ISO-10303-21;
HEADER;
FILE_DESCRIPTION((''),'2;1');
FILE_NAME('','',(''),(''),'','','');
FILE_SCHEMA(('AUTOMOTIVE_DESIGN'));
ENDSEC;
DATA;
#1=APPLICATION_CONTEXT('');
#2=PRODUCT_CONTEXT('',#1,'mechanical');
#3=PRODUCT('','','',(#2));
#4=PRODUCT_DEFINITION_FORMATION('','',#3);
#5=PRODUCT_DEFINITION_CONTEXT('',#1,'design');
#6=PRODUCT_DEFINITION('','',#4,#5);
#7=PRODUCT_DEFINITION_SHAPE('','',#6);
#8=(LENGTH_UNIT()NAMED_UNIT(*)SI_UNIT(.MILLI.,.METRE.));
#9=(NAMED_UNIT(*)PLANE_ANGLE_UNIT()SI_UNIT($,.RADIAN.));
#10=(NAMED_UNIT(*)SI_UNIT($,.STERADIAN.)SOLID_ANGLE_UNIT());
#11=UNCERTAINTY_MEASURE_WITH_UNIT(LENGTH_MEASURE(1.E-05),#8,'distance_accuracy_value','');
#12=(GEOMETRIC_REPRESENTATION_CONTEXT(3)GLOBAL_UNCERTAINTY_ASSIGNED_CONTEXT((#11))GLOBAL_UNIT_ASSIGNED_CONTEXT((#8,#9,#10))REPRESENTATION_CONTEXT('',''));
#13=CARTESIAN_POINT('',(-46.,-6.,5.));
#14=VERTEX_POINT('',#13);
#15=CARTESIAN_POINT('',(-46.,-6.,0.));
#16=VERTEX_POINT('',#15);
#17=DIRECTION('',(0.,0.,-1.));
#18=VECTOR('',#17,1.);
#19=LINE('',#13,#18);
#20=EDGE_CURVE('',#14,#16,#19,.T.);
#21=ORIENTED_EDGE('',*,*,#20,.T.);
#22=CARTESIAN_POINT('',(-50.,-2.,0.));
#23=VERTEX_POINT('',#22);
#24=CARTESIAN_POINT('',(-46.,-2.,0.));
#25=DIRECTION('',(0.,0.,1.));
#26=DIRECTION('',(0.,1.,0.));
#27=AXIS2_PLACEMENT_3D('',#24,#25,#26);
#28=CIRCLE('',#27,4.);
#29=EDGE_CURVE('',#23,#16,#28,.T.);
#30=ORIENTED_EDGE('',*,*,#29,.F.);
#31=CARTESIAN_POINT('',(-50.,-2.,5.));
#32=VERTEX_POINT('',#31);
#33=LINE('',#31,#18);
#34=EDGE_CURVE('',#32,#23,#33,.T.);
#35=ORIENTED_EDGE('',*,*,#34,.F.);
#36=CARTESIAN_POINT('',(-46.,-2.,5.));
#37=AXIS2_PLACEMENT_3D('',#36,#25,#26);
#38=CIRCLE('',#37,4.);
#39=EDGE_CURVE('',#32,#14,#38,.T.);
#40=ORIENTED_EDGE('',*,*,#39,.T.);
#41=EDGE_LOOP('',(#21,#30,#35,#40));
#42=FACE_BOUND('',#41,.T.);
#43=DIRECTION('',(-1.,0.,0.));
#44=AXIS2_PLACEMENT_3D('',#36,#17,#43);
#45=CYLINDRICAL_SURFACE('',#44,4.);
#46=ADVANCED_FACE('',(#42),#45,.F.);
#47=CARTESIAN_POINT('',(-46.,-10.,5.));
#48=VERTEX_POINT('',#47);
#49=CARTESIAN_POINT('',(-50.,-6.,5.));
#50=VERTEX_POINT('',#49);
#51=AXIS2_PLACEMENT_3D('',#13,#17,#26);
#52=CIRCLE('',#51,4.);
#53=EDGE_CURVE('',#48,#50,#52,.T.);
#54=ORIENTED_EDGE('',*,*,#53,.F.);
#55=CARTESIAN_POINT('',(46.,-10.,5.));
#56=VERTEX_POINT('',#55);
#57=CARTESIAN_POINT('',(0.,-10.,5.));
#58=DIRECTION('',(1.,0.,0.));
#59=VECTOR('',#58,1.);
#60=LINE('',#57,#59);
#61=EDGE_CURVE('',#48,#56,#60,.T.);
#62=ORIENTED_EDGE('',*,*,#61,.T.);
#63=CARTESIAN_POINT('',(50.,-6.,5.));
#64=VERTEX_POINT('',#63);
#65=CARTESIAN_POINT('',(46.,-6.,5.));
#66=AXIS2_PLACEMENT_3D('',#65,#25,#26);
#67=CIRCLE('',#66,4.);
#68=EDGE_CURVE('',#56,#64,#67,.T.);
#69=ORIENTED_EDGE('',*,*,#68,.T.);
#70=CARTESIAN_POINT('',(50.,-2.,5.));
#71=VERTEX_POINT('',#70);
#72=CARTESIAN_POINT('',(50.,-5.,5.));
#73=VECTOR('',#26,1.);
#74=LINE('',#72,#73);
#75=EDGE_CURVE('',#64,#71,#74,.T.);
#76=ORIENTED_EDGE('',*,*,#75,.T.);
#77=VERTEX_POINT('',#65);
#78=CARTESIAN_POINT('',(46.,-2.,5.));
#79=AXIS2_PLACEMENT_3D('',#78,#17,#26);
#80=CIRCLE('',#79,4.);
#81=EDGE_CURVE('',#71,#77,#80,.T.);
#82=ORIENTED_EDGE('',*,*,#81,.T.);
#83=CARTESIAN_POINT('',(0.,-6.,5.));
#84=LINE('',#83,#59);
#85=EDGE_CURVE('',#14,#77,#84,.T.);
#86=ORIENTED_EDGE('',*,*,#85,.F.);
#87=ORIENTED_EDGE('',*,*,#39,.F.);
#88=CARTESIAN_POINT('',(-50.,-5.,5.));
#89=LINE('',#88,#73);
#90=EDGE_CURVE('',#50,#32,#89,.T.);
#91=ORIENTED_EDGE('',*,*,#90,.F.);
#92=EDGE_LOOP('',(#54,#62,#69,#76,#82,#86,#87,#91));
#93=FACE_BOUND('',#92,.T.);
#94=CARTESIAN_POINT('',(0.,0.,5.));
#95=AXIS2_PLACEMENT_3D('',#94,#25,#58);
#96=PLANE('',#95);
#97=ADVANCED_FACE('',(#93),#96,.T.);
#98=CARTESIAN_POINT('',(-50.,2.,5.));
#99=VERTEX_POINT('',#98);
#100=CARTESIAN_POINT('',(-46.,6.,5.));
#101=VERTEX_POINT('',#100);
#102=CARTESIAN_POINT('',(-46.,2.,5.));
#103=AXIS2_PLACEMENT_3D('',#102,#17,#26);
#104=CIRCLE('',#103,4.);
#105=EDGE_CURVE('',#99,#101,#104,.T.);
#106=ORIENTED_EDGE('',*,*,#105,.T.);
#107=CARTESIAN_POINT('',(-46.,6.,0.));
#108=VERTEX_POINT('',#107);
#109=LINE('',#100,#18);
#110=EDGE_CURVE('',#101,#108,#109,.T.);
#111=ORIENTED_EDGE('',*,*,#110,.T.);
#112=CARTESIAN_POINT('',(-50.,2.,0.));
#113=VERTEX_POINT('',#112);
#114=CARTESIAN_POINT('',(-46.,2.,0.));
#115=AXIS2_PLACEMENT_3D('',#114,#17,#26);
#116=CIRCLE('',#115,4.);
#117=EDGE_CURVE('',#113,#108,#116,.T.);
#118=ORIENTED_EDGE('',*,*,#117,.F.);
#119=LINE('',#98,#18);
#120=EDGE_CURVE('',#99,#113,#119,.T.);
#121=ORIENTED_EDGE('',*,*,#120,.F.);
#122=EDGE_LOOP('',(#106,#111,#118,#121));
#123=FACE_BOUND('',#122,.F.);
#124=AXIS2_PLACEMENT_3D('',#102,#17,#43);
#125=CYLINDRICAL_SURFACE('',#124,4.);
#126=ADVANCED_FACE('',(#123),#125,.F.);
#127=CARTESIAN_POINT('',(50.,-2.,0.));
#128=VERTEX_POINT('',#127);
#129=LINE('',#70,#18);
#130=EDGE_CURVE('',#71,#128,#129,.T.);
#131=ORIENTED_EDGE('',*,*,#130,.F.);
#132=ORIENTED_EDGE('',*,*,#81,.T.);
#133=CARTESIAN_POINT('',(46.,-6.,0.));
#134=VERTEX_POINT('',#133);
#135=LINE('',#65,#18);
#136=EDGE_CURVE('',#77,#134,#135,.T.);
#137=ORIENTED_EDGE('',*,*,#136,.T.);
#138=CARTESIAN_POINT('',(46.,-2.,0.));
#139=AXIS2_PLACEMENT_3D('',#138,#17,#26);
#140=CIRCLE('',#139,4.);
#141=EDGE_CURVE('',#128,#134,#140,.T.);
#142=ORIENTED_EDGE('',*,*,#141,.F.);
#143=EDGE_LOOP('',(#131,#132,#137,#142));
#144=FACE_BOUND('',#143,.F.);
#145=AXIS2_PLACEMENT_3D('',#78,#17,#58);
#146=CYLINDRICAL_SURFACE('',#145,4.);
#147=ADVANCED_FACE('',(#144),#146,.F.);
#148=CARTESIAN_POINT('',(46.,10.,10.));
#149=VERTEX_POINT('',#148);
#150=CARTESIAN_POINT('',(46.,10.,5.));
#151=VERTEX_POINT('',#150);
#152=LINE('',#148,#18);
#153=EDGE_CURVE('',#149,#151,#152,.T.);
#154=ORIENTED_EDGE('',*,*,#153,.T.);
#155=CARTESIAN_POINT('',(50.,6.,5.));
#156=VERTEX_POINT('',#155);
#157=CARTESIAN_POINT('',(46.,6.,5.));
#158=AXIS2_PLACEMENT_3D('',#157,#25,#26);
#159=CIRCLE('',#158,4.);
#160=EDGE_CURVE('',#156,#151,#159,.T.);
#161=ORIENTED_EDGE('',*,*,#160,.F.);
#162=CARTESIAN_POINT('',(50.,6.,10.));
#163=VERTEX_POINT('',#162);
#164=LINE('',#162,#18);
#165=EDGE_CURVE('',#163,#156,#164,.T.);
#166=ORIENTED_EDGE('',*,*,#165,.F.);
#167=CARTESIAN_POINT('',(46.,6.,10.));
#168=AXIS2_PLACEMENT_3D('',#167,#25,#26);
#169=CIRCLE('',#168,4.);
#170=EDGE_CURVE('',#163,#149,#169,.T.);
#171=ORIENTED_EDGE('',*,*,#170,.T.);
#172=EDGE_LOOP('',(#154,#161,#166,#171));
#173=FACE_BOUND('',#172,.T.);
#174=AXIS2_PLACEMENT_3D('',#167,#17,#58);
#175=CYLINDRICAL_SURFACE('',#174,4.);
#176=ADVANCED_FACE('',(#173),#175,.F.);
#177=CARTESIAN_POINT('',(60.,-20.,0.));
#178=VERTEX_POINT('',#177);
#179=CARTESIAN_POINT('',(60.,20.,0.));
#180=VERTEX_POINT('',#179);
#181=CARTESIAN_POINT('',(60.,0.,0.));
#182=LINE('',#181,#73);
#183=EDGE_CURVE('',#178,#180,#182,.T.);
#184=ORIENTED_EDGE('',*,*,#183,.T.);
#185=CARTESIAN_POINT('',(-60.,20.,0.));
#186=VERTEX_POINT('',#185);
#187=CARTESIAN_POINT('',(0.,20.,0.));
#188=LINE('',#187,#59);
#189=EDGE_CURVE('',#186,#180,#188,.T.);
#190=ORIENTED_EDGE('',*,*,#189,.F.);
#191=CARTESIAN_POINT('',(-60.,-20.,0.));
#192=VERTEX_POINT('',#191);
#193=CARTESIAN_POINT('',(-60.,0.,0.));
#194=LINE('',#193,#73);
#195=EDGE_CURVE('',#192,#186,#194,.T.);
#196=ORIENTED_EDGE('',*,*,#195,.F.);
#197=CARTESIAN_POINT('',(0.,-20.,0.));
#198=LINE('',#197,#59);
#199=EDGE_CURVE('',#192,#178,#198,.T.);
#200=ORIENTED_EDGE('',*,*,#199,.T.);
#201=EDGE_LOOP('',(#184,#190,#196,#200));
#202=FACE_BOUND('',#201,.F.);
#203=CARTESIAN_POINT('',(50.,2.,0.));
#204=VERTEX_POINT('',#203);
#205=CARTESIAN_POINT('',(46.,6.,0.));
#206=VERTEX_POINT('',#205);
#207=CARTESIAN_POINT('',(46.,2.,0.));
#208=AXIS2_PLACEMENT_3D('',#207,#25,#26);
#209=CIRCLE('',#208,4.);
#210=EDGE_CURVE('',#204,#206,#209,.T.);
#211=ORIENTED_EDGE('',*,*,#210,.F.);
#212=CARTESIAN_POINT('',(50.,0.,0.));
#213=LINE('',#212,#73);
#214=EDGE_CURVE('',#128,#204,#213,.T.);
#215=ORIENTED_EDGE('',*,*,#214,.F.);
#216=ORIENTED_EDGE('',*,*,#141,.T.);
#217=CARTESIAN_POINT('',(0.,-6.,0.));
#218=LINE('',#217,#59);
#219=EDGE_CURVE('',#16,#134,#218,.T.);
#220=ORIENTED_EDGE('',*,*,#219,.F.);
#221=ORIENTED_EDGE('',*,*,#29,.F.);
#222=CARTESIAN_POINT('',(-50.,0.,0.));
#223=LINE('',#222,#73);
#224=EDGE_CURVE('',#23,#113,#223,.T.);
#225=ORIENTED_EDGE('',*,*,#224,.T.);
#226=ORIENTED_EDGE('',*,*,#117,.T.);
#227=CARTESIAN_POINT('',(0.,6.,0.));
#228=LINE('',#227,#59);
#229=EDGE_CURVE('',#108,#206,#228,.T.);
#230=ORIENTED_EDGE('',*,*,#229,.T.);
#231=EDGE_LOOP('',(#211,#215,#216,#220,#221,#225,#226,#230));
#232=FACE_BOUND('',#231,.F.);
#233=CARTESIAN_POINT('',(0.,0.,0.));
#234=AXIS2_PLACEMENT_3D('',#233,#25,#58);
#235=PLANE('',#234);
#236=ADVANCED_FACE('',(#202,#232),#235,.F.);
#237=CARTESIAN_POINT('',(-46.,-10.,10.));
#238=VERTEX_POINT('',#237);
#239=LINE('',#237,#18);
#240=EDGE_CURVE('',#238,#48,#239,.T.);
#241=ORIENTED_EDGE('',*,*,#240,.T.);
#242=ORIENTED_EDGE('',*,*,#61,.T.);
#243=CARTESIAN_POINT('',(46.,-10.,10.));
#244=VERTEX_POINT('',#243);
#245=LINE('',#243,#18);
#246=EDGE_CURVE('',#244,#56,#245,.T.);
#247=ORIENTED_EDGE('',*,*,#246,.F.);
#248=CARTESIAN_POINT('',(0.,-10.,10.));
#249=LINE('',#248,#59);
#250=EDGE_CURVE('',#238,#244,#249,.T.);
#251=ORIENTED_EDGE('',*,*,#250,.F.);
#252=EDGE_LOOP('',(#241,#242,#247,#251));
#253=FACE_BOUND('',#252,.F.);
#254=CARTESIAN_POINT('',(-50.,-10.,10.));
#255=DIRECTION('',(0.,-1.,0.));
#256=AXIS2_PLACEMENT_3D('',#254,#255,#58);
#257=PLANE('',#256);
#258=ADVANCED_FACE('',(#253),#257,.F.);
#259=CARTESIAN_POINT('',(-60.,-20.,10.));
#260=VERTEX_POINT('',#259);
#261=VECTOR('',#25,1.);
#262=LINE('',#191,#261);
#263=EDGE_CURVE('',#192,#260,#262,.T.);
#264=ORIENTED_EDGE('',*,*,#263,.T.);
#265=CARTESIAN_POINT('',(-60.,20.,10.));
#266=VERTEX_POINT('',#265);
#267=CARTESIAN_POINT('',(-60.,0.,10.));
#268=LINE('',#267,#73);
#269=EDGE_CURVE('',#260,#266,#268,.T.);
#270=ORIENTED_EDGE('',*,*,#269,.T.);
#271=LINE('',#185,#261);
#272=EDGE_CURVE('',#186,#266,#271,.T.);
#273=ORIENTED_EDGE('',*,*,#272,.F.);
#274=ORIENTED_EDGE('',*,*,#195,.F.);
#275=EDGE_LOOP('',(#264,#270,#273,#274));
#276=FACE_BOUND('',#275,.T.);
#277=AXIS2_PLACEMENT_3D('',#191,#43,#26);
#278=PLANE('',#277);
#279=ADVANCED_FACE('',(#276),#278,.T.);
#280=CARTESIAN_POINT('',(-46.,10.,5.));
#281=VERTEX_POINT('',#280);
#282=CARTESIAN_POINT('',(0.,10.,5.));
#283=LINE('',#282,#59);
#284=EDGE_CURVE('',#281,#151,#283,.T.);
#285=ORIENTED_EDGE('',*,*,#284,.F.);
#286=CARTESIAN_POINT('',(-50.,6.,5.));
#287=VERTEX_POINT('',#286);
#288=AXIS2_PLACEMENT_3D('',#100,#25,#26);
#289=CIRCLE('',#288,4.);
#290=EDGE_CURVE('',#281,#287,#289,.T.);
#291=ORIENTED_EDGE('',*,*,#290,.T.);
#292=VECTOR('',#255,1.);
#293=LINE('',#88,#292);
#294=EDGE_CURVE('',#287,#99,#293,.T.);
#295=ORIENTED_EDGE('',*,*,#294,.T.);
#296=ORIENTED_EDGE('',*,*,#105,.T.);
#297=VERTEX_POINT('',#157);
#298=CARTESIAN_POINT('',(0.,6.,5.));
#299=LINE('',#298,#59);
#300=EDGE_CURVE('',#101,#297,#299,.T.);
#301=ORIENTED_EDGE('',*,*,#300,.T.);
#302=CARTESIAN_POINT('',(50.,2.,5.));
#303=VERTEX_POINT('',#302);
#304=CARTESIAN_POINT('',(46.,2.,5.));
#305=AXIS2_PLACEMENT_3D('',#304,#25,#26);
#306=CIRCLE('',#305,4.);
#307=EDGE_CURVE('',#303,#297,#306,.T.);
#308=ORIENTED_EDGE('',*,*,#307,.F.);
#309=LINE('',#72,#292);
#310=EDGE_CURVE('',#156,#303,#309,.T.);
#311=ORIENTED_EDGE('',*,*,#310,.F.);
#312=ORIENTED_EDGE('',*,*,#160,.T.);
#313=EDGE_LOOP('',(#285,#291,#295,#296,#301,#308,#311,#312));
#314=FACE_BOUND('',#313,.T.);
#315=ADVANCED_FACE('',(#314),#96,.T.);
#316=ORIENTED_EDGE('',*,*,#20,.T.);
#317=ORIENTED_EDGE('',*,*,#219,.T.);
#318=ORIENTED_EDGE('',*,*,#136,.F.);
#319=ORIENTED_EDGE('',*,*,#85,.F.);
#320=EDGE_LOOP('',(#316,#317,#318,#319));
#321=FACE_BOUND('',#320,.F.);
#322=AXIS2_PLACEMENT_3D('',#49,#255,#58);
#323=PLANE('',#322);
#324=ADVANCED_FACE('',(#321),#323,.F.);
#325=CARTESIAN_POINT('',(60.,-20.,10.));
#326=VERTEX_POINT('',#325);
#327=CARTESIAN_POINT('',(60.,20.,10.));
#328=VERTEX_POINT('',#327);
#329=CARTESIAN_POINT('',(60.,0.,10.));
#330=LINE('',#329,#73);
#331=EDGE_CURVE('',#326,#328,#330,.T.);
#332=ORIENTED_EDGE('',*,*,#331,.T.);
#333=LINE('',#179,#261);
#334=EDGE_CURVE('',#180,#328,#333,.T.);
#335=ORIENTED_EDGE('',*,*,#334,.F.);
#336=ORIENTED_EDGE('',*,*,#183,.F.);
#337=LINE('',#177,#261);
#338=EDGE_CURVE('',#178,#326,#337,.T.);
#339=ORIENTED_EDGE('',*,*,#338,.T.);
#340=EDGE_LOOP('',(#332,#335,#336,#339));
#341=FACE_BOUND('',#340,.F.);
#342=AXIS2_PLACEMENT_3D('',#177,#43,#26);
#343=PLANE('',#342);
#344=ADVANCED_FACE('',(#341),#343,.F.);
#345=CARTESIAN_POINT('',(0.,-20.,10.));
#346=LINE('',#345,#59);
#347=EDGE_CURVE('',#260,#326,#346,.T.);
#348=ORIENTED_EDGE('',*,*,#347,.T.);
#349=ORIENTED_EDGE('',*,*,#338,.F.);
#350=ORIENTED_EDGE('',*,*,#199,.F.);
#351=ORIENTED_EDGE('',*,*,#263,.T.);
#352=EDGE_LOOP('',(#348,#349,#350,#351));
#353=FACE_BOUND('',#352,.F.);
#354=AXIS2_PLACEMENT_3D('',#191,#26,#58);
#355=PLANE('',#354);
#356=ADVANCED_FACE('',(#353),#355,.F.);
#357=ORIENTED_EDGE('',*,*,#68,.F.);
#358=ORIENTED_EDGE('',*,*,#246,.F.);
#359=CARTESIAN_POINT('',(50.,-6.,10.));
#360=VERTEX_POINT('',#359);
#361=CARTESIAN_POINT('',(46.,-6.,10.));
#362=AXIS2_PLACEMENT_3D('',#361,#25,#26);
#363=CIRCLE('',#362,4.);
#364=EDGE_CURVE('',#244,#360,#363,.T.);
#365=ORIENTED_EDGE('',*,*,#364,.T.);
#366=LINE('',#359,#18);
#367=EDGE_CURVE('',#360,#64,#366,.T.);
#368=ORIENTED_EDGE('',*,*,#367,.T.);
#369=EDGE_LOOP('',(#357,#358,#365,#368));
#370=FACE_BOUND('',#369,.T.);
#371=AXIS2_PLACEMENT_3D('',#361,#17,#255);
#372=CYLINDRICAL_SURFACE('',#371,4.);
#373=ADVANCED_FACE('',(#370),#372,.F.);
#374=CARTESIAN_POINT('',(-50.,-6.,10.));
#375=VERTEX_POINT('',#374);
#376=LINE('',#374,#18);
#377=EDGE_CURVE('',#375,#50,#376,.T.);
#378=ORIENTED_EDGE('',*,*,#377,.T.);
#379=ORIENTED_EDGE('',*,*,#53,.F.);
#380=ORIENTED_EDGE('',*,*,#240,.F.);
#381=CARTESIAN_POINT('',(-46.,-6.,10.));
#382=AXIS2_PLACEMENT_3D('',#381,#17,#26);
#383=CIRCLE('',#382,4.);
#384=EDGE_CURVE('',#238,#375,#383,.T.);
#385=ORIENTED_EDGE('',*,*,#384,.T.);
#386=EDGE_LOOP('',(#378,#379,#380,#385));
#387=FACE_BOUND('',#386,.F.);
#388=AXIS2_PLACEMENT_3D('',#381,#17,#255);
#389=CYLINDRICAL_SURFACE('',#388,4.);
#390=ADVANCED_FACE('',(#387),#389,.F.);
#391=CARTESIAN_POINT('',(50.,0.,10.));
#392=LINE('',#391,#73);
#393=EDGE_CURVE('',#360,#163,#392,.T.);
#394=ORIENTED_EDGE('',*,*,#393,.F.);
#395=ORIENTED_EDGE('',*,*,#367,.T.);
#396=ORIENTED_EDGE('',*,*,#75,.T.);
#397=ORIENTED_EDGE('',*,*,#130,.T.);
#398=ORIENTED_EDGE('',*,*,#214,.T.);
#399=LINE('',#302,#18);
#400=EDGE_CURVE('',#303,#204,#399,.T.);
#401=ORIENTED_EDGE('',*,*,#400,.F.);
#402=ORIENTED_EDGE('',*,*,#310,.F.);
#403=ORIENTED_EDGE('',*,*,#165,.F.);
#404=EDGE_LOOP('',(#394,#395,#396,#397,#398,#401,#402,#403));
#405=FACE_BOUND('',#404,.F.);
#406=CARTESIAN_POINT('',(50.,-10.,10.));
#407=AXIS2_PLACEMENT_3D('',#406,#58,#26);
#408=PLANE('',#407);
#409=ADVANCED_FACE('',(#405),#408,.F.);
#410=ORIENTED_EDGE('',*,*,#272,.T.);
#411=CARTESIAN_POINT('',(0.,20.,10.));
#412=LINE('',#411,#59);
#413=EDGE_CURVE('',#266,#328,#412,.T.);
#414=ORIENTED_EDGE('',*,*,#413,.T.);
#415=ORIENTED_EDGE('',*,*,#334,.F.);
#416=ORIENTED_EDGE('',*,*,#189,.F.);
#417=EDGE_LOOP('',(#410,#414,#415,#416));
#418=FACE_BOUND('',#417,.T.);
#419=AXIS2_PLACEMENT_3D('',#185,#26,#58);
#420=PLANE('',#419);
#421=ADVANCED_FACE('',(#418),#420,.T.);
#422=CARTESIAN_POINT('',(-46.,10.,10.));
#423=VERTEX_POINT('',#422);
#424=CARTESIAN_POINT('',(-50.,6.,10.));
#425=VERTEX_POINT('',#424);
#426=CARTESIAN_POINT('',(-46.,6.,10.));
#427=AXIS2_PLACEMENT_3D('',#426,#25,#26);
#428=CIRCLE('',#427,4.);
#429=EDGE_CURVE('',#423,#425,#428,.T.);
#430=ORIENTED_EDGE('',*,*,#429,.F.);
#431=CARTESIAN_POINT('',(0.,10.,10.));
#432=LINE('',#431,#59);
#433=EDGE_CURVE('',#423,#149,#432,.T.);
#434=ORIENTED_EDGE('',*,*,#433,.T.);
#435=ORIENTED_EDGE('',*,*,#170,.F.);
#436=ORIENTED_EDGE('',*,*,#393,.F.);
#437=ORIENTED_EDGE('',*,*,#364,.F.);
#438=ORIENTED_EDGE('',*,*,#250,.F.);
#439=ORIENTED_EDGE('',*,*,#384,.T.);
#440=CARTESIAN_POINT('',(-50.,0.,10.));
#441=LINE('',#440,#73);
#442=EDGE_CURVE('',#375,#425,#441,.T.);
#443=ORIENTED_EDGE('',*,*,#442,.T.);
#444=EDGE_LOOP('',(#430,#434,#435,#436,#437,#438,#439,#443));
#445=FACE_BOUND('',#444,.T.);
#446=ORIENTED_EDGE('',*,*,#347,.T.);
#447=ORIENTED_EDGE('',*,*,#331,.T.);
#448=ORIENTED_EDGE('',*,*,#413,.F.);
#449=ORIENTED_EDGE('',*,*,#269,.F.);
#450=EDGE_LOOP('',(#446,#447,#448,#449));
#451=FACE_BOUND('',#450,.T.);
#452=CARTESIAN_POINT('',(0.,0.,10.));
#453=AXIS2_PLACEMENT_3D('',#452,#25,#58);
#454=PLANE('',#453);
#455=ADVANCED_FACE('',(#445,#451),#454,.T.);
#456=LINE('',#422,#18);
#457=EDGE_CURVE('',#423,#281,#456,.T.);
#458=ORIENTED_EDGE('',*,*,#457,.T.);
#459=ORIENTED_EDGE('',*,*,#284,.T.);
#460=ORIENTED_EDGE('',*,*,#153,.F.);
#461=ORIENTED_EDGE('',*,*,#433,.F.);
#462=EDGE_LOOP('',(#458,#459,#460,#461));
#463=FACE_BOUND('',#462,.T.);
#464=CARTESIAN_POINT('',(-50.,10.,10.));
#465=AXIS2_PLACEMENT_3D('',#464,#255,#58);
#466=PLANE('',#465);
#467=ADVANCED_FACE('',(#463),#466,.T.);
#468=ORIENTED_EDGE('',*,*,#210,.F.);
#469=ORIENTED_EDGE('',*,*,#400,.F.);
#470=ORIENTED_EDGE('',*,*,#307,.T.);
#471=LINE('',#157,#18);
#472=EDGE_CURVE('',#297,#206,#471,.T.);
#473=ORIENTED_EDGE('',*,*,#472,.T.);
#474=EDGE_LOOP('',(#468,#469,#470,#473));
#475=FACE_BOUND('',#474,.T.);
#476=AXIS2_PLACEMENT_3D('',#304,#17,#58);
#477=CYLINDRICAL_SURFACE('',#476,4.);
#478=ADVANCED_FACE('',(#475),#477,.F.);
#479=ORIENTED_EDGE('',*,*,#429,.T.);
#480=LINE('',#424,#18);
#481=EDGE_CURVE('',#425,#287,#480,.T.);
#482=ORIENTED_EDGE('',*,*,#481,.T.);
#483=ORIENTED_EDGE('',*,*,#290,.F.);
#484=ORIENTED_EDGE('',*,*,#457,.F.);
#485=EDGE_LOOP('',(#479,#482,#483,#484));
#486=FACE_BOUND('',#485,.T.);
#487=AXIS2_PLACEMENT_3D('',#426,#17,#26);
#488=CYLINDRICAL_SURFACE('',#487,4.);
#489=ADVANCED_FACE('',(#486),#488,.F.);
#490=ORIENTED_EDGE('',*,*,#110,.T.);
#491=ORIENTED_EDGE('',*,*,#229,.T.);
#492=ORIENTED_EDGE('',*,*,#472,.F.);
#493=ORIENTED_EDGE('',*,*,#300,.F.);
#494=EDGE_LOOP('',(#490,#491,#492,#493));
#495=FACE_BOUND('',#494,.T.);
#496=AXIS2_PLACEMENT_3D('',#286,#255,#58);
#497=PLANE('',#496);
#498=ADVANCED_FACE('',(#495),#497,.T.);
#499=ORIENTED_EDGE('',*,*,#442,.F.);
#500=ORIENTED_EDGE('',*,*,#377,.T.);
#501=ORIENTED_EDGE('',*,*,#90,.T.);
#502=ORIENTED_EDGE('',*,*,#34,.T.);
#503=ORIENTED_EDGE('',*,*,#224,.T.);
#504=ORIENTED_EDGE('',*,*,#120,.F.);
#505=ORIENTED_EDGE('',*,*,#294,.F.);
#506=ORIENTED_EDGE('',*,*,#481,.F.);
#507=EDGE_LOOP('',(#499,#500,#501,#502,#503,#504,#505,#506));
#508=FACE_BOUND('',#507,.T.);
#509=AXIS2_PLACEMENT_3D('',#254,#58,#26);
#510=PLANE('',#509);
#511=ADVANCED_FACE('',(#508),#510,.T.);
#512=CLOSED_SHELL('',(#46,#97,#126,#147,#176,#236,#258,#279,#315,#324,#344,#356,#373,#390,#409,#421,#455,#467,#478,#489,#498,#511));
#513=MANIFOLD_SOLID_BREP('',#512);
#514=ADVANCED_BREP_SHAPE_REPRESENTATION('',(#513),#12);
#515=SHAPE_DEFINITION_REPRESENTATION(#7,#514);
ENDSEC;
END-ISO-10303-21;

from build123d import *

# Parameters (mm, degrees)
F0_W     = 120
F0_H     = 40
F1_DEPTH = 10
F2_W     = 100
F2_H     = 20
F3_DEPTH = 5
F4_R     = 4
F5_W     = 100
F5_H     = 12
F6_DEPTH = 5
F7_R     = 4


with BuildPart() as f1:
    # F0 (on Top) → F1 (new body)
    with BuildSketch(Plane.XY):
        Rectangle(F0_W, F0_H)
    extrude(amount=F1_DEPTH)

    # F2 (on face) → F3 (cut)
    with BuildSketch(Plane.XY.offset(10)):
        Rectangle(F2_W, F2_H)
    extrude(amount=-F3_DEPTH, mode=Mode.SUBTRACT)

    # F4
    f4_edges = [f1.edges().sort_by_distance(p)[0] for p in [
        (-50, 10, 7.5),
        (50, 10, 7.5),
        (50, -10, 7.5),
        (-50, -10, 7.5),
    ]]
    fillet(f4_edges, radius=F4_R)

    # F5 (on face) → F6 (cut, through all)
    with BuildSketch(Plane.XY.offset(5)):
        Rectangle(F5_W, F5_H)
    extrude(amount=-F6_DEPTH, mode=Mode.SUBTRACT)

    # F7
    f7_edges = [f1.edges().sort_by_distance(p)[0] for p in [
        (-50, 6, 2.5),
        (-50, -6, 2.5),
        (50, -6, 2.5),
        (50, 6, 2.5),
    ]]
    fillet(f7_edges, radius=F7_R)


solid = f1.part
